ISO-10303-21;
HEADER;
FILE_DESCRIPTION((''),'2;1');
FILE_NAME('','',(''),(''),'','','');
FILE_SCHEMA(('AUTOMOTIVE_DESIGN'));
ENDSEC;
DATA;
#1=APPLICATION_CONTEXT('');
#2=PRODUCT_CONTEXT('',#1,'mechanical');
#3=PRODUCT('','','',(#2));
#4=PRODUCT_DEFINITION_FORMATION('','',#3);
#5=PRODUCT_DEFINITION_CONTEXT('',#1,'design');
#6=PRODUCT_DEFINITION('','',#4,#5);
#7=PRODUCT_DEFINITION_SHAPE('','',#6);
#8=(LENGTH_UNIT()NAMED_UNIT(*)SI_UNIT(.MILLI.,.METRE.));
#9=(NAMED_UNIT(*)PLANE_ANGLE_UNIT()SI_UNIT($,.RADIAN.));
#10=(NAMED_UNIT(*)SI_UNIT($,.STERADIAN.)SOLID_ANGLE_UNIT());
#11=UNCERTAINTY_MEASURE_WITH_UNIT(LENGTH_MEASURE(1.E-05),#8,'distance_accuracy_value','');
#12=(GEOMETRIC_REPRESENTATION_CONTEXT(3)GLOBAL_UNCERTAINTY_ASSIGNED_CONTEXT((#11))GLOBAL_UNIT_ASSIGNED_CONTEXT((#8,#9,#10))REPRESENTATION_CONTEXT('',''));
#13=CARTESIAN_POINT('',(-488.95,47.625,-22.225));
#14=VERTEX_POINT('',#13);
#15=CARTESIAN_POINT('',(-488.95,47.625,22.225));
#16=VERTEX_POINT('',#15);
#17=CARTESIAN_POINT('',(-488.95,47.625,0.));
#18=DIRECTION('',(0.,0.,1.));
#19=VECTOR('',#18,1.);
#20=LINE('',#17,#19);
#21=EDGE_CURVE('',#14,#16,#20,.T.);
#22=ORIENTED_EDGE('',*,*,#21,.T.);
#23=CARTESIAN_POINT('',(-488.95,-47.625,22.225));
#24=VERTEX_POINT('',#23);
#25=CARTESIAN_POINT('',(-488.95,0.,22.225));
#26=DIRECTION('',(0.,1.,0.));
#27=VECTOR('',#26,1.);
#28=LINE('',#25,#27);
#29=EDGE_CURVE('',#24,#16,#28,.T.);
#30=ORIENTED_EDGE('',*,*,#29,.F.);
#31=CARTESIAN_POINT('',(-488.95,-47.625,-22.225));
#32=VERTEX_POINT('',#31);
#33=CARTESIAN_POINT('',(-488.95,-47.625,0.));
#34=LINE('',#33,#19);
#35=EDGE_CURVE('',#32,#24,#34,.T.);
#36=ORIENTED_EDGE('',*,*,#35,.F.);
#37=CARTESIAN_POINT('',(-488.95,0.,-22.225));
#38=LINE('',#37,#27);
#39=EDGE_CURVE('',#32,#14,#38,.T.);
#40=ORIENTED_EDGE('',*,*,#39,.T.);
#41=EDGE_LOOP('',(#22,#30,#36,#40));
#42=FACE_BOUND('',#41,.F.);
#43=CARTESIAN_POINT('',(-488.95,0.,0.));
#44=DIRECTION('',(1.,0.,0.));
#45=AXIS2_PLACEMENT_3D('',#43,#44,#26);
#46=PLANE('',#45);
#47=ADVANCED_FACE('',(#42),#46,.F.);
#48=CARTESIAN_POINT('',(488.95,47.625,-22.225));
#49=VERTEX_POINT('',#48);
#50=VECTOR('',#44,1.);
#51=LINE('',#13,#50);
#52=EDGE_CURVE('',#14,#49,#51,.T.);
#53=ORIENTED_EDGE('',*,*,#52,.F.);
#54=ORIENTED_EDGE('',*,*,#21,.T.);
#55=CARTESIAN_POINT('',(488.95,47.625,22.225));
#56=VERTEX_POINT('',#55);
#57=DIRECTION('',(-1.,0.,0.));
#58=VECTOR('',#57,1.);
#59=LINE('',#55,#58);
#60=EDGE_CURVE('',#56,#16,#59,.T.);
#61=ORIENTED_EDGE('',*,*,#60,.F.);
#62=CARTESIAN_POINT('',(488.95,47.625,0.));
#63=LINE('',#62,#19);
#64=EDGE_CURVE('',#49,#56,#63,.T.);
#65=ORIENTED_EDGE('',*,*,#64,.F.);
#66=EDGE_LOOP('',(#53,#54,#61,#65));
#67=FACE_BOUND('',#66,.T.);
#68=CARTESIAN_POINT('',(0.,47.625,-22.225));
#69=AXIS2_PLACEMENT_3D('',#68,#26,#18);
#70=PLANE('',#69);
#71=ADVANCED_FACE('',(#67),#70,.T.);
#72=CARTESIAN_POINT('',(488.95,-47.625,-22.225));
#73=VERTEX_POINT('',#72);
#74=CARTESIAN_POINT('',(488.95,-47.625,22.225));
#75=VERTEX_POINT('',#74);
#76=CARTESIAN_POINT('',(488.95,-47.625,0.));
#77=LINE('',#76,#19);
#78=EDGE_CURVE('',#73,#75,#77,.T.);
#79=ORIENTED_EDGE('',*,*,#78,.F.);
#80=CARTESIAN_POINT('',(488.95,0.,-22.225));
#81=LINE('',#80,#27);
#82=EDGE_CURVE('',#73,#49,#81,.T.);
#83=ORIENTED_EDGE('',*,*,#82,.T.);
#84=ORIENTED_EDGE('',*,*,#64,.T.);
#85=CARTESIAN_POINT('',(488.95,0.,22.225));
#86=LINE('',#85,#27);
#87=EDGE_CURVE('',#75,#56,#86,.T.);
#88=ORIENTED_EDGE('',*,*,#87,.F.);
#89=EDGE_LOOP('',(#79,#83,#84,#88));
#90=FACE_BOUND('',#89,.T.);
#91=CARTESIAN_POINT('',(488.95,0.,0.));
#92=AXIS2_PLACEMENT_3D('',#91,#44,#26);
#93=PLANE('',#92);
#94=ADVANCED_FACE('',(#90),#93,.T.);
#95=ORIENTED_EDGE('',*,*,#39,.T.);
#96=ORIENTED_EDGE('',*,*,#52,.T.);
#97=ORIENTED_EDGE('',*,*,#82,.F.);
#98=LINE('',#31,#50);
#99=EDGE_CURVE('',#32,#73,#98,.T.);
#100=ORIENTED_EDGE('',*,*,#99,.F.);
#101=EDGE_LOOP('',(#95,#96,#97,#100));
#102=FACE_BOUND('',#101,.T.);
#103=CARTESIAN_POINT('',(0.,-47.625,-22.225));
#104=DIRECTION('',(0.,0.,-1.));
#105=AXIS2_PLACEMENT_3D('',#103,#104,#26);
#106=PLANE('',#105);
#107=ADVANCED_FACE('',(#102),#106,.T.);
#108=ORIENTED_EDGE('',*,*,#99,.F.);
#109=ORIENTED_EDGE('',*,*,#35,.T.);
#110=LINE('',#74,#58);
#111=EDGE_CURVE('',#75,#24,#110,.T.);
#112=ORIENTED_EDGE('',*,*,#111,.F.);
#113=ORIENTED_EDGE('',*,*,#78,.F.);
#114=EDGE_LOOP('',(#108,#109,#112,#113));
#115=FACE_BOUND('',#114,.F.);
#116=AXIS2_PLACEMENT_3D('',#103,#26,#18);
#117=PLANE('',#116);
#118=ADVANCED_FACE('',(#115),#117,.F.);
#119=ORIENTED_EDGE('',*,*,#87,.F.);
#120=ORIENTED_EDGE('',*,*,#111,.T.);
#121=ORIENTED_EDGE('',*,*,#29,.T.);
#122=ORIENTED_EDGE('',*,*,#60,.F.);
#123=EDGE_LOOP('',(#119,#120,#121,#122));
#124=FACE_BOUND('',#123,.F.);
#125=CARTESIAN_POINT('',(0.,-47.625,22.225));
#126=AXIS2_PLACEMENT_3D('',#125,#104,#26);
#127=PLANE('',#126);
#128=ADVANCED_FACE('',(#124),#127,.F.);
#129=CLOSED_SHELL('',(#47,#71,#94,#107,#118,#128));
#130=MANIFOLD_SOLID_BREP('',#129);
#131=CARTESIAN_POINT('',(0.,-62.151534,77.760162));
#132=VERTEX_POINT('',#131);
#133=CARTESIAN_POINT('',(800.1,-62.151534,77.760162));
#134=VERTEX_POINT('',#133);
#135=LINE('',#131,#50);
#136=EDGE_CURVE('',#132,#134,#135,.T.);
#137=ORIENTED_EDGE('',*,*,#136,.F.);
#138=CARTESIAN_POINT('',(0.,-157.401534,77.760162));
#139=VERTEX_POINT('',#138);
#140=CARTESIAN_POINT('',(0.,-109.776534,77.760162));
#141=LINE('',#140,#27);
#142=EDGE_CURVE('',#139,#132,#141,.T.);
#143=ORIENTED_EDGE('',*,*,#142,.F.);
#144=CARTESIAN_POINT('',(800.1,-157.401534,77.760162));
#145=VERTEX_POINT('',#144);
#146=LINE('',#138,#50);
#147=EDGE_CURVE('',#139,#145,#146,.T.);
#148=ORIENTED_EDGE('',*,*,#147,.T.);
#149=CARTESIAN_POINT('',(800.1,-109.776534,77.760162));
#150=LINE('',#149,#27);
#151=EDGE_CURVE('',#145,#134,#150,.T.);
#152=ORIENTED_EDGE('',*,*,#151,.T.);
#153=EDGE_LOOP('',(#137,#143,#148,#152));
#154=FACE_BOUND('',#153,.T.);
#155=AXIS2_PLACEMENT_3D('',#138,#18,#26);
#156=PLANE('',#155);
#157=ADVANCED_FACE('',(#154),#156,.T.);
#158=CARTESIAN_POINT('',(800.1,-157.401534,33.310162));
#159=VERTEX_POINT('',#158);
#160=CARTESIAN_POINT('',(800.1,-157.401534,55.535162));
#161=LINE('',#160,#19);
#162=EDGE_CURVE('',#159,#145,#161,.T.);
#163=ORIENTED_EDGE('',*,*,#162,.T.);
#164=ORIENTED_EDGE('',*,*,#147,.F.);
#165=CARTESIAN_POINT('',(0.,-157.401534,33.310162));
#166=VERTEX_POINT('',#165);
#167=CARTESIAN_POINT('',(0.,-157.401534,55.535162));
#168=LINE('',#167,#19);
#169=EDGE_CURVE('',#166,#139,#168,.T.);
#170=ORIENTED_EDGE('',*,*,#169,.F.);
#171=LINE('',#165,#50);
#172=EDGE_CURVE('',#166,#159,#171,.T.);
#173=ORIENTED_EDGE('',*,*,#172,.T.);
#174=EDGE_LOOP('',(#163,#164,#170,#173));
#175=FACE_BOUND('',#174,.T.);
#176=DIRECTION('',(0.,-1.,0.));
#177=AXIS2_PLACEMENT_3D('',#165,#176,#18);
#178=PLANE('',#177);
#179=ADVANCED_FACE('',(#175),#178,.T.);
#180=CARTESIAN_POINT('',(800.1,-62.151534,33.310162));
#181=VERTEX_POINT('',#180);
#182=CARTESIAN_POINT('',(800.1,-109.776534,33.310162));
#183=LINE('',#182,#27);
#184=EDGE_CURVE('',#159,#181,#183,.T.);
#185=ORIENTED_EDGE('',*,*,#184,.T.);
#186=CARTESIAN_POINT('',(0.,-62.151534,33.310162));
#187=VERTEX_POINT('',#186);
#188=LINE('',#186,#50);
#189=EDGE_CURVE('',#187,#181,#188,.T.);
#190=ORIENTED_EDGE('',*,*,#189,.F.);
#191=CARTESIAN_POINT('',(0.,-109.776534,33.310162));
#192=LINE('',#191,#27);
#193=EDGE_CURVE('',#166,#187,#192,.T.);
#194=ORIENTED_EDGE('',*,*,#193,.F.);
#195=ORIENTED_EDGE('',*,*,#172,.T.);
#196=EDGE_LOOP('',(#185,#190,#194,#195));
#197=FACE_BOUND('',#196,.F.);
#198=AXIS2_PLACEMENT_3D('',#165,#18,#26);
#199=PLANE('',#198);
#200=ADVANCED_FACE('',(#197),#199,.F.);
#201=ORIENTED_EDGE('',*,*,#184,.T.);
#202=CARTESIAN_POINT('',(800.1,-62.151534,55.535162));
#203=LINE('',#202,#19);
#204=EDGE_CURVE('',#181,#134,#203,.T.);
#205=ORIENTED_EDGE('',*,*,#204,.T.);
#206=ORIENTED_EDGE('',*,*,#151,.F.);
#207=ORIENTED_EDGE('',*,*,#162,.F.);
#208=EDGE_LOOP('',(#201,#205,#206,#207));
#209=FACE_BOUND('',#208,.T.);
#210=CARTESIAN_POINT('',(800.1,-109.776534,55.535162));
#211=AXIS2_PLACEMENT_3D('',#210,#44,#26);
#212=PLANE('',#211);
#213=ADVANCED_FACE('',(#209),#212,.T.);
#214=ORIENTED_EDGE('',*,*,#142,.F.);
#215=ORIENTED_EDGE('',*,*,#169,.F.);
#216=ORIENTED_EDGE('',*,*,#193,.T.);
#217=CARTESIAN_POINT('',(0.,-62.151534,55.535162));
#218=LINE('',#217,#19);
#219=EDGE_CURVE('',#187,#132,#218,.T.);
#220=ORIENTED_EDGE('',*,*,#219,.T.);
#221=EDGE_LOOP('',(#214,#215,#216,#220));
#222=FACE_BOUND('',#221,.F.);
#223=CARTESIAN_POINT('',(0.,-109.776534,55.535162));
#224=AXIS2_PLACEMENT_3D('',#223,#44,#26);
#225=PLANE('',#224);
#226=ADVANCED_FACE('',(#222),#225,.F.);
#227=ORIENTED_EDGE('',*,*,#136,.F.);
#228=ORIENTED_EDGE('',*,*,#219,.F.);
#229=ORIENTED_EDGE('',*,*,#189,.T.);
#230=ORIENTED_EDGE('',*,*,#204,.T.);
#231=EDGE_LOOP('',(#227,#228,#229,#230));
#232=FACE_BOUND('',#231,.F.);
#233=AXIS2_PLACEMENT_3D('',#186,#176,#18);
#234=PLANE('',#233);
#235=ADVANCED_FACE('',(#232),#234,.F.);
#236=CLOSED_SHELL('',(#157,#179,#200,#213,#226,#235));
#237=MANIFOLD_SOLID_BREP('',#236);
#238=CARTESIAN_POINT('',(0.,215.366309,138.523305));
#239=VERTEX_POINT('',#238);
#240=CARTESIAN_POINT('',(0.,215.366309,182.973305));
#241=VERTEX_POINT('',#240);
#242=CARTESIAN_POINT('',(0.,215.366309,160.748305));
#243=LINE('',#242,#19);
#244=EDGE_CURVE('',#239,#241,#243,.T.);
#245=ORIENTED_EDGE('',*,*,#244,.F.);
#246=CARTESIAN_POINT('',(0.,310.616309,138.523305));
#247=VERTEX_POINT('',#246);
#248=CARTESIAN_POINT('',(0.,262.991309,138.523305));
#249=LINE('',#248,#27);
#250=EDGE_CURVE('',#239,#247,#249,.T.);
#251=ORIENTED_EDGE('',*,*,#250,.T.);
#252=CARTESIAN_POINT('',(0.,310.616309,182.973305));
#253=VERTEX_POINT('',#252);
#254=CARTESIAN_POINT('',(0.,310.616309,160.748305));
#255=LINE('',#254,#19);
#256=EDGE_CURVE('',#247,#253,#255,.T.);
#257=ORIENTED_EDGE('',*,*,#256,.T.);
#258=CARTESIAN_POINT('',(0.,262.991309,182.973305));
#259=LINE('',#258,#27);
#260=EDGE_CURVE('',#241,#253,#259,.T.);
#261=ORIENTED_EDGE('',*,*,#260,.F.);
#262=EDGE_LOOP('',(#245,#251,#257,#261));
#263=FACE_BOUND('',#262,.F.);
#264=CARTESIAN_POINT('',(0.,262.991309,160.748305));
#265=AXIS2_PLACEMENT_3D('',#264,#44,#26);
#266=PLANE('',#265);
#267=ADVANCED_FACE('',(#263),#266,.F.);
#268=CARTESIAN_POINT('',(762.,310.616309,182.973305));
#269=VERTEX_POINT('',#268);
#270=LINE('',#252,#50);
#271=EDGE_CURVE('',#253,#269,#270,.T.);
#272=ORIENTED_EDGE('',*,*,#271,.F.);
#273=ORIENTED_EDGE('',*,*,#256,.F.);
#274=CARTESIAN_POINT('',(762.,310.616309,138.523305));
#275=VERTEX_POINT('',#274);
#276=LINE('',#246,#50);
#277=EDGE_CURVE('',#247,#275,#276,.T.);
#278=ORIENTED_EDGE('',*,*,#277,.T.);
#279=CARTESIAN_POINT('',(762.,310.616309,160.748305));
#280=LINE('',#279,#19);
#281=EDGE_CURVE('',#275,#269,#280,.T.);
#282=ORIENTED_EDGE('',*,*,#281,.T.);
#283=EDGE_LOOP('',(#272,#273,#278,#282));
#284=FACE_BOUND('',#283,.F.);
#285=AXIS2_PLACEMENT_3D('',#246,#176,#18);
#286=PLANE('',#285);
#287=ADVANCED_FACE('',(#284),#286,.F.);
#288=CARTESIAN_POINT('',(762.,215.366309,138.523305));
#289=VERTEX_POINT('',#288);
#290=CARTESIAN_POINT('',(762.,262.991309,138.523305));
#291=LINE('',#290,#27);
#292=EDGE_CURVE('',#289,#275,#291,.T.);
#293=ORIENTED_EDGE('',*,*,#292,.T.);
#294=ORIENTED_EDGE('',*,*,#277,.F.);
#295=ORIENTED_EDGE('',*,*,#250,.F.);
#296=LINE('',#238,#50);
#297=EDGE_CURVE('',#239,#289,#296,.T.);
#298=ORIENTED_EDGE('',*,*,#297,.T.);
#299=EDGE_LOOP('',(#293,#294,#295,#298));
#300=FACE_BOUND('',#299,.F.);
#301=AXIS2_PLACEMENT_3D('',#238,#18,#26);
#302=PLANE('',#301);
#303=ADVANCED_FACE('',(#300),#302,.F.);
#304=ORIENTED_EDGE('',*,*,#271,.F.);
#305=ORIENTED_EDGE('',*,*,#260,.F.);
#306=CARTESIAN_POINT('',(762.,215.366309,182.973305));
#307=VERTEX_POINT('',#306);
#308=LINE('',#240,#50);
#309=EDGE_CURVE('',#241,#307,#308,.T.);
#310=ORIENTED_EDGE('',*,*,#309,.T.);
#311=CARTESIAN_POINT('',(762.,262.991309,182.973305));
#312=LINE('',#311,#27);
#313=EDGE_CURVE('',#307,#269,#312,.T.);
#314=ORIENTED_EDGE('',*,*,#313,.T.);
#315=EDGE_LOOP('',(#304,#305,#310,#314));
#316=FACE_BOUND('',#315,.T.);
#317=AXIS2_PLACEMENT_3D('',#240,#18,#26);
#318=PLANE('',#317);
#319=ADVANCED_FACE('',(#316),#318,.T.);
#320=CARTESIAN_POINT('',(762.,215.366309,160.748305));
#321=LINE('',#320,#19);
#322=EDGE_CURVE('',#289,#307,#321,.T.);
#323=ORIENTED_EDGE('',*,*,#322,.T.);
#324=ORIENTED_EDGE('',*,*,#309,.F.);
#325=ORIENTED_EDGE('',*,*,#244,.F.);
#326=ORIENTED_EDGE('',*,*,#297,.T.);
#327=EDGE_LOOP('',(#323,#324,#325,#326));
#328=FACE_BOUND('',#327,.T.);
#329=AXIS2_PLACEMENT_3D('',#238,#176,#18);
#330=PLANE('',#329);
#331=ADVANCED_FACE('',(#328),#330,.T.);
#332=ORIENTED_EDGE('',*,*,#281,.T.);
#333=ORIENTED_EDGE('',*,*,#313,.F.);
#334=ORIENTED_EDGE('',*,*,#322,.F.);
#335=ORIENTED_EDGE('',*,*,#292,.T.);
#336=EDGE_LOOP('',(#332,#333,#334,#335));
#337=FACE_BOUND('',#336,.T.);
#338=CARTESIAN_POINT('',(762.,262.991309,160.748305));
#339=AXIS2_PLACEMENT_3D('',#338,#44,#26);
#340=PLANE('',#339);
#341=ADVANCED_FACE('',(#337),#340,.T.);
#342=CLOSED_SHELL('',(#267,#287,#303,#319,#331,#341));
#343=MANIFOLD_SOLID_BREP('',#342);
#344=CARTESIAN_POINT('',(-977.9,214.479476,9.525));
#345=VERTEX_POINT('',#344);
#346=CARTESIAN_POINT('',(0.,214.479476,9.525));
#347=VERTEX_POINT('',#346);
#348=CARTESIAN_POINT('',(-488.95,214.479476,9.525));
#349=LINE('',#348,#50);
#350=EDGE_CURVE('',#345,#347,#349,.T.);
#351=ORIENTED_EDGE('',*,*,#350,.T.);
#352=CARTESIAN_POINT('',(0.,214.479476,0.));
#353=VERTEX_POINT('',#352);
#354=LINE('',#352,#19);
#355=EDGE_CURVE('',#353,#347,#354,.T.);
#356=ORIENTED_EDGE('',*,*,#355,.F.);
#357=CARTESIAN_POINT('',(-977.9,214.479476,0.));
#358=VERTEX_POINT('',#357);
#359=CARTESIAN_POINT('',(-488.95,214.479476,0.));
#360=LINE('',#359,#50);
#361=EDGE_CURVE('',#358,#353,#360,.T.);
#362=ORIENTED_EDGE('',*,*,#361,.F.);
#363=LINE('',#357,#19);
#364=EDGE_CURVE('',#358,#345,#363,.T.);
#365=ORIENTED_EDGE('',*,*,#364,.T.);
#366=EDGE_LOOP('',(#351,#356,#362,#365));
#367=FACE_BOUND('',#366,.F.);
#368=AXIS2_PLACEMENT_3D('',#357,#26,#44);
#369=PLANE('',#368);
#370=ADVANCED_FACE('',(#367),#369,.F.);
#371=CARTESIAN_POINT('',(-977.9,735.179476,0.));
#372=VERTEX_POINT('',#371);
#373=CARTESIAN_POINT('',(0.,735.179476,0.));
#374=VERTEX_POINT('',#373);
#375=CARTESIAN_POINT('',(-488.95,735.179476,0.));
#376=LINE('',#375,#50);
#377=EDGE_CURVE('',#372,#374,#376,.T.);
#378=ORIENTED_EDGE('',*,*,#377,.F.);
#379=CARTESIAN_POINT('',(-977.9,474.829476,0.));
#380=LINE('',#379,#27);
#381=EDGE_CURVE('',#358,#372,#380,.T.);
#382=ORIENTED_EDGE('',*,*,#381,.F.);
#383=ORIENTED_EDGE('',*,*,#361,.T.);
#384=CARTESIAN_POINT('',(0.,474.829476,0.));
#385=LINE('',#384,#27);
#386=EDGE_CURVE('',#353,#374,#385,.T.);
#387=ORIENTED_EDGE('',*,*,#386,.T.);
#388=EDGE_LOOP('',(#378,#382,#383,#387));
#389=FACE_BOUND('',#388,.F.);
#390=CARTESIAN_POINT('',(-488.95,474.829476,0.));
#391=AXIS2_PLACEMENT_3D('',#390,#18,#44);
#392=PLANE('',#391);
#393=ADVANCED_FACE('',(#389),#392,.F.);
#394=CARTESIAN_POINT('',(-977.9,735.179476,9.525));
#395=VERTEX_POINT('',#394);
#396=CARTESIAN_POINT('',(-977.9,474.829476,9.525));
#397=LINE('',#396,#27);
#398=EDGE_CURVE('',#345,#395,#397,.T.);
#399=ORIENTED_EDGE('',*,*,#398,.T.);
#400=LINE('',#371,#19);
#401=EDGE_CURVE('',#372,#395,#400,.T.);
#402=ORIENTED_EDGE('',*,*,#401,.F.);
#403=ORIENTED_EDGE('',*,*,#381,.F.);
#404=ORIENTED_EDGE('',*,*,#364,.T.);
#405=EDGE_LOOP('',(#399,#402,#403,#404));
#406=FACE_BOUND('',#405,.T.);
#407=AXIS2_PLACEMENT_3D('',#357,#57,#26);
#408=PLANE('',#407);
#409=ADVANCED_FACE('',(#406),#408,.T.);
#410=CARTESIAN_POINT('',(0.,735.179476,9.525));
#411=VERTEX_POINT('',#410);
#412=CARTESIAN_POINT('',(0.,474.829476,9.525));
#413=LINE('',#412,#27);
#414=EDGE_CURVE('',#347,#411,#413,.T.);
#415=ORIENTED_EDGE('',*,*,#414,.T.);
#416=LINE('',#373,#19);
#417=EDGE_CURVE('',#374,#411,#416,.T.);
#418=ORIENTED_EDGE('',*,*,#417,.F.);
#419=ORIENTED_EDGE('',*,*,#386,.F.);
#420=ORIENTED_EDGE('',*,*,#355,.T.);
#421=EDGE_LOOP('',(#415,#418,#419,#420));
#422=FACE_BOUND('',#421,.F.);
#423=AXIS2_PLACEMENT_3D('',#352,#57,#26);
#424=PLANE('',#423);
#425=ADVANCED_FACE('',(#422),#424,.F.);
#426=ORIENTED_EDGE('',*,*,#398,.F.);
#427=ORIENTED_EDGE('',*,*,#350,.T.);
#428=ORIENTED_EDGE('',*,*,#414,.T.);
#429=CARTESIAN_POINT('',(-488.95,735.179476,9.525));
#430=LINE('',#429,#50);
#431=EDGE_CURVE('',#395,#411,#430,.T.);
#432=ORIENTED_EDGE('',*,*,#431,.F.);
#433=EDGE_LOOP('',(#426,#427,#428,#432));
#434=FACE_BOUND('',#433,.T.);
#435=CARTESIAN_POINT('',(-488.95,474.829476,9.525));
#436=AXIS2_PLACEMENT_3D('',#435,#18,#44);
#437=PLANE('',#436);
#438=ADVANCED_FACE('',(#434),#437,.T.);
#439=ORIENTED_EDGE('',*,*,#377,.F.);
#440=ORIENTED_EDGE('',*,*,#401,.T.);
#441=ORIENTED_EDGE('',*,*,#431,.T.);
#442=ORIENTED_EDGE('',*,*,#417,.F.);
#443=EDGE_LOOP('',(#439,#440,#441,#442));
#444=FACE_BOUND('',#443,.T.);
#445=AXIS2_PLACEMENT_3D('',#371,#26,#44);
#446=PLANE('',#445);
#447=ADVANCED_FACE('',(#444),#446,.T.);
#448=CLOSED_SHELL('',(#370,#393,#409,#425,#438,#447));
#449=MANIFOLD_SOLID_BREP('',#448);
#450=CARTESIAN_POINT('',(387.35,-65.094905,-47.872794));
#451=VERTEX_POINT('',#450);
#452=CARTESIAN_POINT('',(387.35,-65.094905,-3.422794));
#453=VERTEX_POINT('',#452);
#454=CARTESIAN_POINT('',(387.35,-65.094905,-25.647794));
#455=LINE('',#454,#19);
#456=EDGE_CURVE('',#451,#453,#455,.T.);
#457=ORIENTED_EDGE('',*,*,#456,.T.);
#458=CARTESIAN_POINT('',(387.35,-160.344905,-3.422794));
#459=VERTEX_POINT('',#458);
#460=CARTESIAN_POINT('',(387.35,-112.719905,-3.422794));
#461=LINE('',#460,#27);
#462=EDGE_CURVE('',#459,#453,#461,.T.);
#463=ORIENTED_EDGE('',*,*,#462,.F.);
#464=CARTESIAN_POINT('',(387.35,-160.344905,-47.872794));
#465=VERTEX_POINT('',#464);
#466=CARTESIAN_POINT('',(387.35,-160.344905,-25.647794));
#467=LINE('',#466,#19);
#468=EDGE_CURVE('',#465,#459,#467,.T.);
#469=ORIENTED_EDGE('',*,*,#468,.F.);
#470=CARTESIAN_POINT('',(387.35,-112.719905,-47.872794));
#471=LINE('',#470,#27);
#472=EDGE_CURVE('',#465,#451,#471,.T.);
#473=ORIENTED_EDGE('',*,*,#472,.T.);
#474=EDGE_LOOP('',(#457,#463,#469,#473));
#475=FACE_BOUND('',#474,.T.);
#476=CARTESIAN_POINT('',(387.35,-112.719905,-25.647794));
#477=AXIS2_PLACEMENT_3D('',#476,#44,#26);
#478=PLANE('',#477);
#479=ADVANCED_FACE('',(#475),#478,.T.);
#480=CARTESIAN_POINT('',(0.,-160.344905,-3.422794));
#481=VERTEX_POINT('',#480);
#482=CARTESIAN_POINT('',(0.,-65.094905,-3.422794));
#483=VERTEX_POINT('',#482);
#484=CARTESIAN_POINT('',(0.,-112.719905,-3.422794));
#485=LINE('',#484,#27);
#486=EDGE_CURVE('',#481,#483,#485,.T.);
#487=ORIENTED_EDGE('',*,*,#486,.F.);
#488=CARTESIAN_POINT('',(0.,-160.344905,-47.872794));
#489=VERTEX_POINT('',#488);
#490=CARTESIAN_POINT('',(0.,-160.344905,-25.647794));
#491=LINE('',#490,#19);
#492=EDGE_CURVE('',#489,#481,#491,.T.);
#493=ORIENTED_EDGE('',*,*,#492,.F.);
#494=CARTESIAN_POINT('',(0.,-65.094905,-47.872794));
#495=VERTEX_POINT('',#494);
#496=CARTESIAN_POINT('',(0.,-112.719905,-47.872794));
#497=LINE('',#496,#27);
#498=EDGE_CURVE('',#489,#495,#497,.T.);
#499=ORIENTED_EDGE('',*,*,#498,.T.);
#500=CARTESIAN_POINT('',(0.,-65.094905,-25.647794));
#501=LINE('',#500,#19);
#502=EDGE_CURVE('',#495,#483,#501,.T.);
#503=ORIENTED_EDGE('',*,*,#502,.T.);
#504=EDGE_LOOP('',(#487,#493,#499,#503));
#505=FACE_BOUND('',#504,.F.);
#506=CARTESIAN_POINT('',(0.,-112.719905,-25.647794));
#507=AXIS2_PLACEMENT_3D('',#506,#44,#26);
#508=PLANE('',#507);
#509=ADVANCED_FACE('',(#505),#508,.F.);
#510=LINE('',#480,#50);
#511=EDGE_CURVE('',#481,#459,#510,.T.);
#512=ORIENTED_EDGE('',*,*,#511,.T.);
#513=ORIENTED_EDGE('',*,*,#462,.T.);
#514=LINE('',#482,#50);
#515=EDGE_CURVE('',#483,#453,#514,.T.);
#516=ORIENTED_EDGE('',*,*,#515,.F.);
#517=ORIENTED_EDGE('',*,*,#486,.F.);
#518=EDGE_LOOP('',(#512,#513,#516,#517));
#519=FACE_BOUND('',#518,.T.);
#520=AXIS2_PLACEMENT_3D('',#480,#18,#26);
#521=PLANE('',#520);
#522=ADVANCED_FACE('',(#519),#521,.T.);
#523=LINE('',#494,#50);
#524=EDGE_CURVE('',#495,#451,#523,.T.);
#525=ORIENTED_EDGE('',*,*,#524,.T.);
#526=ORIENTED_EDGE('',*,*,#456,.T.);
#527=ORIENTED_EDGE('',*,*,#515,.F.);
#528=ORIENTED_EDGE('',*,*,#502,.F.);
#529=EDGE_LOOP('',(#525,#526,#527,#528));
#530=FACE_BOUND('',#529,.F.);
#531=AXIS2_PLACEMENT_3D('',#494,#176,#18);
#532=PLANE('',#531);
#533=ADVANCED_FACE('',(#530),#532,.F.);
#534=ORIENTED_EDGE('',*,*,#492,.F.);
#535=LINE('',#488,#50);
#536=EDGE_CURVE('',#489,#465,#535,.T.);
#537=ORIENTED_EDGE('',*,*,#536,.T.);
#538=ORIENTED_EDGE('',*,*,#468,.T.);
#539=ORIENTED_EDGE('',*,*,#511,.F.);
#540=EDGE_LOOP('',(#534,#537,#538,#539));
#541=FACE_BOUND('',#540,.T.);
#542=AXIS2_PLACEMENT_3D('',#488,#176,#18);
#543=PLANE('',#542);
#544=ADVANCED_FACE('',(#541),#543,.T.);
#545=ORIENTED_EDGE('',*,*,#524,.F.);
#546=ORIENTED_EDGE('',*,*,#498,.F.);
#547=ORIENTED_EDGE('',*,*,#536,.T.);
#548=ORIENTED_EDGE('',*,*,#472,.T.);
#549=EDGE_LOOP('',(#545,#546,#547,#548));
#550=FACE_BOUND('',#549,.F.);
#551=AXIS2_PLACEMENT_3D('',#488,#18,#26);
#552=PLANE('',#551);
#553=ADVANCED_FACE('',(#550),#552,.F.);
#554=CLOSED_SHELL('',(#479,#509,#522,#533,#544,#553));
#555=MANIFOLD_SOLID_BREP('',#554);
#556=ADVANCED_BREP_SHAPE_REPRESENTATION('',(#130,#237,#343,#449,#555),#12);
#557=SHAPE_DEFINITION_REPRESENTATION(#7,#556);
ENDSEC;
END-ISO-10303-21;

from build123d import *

# Parameters (mm, degrees)
F0_W     = 95.25
F0_H     = 44.45
F1_DEPTH = 488.95
F2_W     = 95.25
F2_H     = 44.45
F3_DEPTH = 762
F4_W     = 95.25
F4_H     = 44.45
F5_DEPTH = 800.1
F6_W     = 95.25
F6_H     = 44.45
F7_DEPTH = 387.35
F8_W     = 977.9
F8_H     = 520.7
F9_DEPTH = 9.525


with BuildPart() as f1:
    # F0 (on Right) → F1 (new body, symmetric)
    with BuildSketch(Plane.YZ):
        Rectangle(F0_W, F0_H)
    extrude(amount=F1_DEPTH, both=True)


with BuildPart() as f3:
    # F2 (on Right) → F3 (new body)
    with BuildSketch(Plane.YZ):
        with Locations((262.991309, 160.748305)):
            Rectangle(F2_W, F2_H)
    extrude(amount=F3_DEPTH)


with BuildPart() as f5:
    # F4 (on Right) → F5 (new body)
    with BuildSketch(Plane.YZ):
        with Locations((-109.776534, 55.535162)):
            Rectangle(F4_W, F4_H)
    extrude(amount=F5_DEPTH)


with BuildPart() as f7:
    # F6 (on Right) → F7 (new body)
    with BuildSketch(Plane.YZ):
        with Locations((-112.719905, -25.647794)):
            Rectangle(F6_W, F6_H)
    extrude(amount=F7_DEPTH)


with BuildPart() as f9:
    # F8 (on Top) → F9 (new body)
    with BuildSketch(Plane.XY):
        with Locations((-488.95, 474.829476)):
            Rectangle(F8_W, F8_H)
    extrude(amount=F9_DEPTH)


solid = Compound([f1.part, f3.part, f5.part, f7.part, f9.part])
